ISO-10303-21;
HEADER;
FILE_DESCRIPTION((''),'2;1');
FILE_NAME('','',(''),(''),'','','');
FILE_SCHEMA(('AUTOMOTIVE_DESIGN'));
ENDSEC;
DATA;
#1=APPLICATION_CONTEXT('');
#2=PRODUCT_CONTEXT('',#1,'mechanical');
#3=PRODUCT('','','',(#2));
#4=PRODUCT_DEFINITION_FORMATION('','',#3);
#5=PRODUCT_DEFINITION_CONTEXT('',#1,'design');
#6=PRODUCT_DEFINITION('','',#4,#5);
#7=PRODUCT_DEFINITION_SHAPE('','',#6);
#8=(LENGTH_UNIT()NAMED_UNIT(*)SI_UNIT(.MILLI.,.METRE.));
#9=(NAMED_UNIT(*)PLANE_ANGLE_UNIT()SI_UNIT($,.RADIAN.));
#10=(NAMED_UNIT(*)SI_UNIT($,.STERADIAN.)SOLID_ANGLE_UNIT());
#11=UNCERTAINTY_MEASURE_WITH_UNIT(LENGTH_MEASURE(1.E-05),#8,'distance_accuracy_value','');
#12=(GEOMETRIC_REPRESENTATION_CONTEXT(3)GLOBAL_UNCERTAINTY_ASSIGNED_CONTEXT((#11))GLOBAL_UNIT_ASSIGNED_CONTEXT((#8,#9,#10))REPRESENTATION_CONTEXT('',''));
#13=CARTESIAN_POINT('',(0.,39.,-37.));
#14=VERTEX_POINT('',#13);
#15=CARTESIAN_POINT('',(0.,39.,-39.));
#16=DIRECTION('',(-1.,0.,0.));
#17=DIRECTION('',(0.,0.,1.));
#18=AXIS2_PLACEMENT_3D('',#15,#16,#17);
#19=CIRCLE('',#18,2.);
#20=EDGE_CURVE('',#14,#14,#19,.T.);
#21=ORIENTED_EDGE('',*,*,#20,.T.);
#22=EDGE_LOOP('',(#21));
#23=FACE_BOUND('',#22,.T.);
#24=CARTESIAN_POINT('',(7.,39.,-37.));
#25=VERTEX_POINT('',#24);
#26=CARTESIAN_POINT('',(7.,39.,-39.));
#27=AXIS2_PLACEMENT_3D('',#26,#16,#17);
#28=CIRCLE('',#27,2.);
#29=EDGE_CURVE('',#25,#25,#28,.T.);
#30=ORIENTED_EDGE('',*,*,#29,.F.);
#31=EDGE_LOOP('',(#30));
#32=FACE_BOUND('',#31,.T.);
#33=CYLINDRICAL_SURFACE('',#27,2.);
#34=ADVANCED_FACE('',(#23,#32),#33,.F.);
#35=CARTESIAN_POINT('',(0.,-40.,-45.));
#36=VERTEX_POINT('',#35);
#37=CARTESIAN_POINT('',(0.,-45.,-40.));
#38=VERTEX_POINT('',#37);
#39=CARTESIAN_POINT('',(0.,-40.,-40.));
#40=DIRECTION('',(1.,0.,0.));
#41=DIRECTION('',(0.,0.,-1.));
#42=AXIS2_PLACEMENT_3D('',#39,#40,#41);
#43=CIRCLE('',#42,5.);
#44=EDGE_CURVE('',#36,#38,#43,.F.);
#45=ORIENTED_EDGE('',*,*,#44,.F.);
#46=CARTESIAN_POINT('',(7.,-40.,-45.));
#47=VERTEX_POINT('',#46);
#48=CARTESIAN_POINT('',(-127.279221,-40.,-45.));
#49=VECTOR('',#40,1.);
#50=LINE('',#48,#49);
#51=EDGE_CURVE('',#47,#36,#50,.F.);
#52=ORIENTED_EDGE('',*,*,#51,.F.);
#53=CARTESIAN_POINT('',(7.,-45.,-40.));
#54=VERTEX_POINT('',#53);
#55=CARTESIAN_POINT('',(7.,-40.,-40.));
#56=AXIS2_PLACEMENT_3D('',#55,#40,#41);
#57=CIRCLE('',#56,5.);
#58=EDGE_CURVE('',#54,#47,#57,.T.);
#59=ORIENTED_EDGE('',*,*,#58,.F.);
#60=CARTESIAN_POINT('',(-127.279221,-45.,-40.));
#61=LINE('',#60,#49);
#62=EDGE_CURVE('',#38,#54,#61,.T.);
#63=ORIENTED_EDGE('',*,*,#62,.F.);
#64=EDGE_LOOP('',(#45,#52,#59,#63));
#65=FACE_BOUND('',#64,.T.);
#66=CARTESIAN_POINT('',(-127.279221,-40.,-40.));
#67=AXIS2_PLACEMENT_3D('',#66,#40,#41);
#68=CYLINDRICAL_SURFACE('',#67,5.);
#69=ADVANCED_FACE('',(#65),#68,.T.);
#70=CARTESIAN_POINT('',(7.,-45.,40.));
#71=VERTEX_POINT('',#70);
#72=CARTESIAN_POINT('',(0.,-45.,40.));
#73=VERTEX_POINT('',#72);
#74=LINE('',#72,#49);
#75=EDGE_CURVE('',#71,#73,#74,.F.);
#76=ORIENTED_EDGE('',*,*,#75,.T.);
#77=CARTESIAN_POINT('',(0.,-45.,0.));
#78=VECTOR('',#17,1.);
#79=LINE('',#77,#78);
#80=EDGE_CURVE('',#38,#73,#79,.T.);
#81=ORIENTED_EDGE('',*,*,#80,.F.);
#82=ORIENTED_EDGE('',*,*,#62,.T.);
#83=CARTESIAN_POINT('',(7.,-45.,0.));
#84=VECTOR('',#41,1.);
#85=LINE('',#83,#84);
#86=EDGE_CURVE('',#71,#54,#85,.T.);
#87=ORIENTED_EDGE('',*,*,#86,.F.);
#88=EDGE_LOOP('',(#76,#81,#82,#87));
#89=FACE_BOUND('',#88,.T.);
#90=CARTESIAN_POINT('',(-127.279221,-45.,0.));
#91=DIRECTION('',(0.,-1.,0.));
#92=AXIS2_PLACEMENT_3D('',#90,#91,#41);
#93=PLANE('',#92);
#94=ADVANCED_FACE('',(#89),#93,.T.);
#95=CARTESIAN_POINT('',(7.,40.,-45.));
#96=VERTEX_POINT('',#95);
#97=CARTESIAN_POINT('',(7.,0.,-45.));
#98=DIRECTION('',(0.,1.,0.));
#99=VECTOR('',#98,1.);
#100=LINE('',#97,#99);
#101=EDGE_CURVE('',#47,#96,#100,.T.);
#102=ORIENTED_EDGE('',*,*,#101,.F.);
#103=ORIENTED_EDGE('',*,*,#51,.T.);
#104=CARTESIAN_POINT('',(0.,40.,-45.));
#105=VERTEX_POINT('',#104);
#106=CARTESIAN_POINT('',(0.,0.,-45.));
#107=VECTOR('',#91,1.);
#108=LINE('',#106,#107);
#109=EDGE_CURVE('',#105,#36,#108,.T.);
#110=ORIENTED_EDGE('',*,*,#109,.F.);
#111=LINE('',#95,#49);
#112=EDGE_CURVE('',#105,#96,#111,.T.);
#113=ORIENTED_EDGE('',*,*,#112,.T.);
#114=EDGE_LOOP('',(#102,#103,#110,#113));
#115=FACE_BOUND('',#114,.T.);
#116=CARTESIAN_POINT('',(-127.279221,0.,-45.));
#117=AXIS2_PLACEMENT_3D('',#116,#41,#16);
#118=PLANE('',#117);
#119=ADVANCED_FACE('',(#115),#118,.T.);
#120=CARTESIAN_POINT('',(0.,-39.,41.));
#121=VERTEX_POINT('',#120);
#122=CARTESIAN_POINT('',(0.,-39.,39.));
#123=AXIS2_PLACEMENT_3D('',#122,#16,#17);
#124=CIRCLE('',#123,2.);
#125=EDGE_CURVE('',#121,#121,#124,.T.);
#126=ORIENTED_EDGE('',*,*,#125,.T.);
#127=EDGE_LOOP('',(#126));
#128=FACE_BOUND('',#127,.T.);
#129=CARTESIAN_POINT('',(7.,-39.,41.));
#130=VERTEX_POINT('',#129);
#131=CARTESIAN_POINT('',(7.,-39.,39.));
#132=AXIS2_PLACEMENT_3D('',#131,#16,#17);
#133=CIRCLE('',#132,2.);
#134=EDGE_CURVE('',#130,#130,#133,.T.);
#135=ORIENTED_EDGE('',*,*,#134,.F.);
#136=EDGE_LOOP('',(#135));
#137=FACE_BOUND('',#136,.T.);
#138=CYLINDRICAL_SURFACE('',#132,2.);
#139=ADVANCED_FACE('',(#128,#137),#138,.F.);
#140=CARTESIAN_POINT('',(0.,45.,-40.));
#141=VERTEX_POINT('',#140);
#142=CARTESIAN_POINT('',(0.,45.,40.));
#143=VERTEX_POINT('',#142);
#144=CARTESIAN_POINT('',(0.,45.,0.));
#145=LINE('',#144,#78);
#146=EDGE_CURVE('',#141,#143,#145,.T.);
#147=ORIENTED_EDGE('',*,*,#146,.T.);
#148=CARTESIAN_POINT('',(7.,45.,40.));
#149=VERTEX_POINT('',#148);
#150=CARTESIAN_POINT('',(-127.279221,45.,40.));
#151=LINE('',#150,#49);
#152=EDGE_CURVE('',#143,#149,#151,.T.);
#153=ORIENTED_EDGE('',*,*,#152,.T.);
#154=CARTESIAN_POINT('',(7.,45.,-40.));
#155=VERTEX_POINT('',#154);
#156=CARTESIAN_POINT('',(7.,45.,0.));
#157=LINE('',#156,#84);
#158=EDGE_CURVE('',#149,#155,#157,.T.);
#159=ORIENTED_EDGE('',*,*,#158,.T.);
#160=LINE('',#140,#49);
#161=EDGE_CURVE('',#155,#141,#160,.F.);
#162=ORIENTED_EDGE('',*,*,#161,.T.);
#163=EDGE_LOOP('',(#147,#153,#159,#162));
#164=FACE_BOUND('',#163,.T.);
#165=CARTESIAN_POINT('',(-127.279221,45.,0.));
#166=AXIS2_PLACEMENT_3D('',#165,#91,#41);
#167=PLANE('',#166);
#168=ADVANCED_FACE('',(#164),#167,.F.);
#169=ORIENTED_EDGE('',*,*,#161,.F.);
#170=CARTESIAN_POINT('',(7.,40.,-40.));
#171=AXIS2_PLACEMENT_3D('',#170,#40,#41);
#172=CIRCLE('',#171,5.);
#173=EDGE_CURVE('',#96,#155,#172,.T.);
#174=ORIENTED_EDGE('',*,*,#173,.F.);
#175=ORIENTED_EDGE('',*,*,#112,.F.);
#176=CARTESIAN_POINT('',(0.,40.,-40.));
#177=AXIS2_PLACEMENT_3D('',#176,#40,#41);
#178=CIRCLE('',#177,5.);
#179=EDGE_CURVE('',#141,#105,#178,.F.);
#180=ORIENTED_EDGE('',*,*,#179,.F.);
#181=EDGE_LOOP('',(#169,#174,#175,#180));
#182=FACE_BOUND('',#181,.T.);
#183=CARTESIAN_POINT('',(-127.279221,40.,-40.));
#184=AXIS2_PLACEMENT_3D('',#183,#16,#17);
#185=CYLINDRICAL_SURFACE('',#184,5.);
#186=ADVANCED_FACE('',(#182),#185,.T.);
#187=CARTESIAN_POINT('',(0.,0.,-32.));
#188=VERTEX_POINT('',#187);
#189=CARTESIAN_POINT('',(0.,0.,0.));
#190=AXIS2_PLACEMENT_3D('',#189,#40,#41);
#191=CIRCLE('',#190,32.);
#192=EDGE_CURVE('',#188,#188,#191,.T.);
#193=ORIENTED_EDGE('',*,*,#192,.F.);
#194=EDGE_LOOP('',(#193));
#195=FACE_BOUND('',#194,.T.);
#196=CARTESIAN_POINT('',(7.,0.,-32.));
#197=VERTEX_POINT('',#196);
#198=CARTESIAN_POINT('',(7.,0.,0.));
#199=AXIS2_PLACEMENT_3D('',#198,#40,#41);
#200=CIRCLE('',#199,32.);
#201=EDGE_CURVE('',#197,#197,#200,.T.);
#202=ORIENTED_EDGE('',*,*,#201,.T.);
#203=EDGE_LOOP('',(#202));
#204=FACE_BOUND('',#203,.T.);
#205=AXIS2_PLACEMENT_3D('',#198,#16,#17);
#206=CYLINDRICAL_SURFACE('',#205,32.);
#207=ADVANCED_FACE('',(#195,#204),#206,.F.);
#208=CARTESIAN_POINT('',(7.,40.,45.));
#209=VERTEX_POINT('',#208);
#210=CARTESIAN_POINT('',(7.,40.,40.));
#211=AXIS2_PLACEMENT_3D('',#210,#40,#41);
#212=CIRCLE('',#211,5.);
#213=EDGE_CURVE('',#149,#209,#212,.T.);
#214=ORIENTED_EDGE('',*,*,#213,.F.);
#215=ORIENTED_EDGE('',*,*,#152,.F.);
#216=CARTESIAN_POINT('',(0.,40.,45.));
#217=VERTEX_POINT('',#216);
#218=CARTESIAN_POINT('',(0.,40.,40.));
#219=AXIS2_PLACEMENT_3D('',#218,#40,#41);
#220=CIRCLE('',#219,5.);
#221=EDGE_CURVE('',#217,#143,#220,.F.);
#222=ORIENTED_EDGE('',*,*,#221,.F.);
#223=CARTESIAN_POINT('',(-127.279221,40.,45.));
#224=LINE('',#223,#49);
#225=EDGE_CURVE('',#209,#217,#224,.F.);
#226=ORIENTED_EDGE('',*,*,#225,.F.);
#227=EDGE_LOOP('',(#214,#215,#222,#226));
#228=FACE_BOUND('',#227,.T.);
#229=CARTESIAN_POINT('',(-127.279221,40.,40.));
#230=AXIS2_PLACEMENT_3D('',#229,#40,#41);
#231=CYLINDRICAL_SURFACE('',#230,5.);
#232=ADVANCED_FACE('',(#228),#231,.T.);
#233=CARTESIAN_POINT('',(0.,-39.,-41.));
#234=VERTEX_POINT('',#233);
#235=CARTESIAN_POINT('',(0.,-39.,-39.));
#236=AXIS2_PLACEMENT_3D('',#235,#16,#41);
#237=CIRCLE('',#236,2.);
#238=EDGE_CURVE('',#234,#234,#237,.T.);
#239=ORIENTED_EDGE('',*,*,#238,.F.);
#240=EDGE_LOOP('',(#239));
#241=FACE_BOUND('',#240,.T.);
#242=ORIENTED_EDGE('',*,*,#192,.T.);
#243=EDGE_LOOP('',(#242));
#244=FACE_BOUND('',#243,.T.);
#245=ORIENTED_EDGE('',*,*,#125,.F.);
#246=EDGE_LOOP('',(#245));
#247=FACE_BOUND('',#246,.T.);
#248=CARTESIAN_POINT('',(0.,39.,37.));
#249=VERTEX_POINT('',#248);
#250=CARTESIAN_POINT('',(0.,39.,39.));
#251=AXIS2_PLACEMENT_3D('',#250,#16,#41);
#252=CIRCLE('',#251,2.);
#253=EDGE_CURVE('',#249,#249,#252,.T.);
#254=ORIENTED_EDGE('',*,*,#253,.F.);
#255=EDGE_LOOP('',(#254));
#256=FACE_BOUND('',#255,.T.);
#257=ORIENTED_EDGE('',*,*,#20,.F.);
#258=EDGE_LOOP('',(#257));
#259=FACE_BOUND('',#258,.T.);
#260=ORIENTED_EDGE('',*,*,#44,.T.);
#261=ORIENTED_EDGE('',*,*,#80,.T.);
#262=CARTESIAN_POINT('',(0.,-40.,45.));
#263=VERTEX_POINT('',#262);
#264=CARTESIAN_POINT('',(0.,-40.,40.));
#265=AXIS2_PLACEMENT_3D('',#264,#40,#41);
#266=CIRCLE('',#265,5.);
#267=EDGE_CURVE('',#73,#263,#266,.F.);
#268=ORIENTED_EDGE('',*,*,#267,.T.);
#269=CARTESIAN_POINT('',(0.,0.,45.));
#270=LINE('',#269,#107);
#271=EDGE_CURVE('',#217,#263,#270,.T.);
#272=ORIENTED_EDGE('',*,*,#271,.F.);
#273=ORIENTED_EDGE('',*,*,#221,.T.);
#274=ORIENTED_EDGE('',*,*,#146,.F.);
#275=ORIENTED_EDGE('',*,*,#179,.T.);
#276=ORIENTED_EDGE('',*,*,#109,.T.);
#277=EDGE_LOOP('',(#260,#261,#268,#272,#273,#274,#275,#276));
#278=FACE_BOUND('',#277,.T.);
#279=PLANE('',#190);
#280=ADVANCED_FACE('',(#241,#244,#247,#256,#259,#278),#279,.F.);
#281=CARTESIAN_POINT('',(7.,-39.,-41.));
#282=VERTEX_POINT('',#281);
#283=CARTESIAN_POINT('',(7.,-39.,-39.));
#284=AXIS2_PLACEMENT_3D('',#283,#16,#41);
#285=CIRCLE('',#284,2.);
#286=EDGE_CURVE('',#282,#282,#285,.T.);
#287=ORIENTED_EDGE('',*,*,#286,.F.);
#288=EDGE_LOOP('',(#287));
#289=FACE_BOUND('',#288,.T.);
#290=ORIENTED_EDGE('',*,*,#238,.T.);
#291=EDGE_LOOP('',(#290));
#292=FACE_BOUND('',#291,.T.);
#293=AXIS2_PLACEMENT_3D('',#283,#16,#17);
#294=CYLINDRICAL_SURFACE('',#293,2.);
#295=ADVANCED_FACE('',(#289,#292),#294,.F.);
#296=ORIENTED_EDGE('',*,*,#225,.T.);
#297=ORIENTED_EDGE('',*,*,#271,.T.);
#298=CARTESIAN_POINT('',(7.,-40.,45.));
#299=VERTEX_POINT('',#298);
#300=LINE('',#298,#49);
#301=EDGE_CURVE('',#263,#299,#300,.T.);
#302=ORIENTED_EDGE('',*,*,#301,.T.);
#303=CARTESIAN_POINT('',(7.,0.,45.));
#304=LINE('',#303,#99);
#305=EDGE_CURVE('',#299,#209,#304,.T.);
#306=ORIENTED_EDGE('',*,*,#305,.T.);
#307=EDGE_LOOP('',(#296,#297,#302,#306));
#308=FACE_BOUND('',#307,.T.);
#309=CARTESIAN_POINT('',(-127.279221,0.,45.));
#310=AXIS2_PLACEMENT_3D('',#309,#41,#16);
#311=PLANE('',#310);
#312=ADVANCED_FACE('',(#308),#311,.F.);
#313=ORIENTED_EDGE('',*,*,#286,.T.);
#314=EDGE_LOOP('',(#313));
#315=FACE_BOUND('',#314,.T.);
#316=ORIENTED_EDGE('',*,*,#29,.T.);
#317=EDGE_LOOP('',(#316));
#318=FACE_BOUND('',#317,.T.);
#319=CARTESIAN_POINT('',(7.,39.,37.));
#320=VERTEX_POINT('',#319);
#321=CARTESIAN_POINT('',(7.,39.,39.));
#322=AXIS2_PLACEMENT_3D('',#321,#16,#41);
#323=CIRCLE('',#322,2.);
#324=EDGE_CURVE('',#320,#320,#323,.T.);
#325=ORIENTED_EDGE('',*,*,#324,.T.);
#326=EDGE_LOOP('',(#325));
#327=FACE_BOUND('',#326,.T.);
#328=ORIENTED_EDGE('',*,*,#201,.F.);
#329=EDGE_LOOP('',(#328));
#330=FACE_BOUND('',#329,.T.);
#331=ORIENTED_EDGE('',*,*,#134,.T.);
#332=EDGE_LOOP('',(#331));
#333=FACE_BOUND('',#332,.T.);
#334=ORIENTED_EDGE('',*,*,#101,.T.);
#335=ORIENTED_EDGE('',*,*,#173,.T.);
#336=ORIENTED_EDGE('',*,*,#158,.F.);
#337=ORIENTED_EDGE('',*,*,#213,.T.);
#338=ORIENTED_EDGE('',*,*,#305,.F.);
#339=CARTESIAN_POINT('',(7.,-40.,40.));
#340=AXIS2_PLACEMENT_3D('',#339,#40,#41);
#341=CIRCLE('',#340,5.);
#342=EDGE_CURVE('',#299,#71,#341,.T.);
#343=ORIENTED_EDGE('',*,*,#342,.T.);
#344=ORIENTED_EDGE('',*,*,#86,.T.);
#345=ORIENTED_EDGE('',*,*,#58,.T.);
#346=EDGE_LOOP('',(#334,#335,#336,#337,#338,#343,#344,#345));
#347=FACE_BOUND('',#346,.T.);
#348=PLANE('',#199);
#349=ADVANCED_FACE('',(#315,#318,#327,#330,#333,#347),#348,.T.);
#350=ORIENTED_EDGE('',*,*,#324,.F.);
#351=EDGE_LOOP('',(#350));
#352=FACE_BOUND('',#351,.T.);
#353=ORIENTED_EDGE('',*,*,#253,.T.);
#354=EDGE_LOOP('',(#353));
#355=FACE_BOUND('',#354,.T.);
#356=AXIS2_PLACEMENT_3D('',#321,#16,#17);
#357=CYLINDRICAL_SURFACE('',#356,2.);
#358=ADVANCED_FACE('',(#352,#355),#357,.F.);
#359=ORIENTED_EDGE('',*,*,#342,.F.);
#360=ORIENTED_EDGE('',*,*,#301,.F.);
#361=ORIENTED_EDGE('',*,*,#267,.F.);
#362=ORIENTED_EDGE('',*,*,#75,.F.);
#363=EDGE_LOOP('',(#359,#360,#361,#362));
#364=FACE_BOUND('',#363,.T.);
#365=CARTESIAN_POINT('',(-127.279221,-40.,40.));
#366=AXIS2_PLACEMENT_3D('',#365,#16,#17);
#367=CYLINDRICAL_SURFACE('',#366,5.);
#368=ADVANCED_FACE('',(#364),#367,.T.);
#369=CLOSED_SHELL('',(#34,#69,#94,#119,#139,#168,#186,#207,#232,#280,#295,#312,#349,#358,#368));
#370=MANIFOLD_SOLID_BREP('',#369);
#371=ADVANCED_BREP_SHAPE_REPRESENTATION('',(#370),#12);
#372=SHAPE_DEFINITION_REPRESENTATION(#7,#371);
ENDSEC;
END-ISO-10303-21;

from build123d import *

# Parameters (mm, degrees)
ESQUISSE1_R             = 45
ESQUISSE1_R_2           = 32
BOSS_EXTRU_1_DEPTH      = 7
ESQUISSE3_R             = 2.5
ESQUISSE3_R_2           = 4
ENL_V_MAT_EXTRU_1_DEPTH = 65.02343321
BOSS_EXTRU_3_START      = -7
ESQUISSE4_W             = 90
ESQUISSE4_H             = 90
ESQUISSE4_R             = 32
BOSS_EXTRU_3_DEPTH      = 7
ESQUISSE5_R             = 2
ENL_V_MAT_EXTRU_2_DEPTH = 65.02343321
CONG_1_R                = 5


with BuildPart() as part:
    # Esquisse1 → Boss.-Extru.1 (new body)
    with BuildSketch(Plane(origin=(0, 0, 0), x_dir=(0, 0, -1), z_dir=(1, 0, 0))):
        Circle(ESQUISSE1_R)
        Circle(ESQUISSE1_R_2, mode=Mode.SUBTRACT)
    extrude(amount=BOSS_EXTRU_1_DEPTH)

    # Esquisse3 → Enlèv. mat.-Extru.1 (cut, through all)
    with BuildSketch(Plane(origin=(7, 0, 0), x_dir=(0, 0, -1), z_dir=(1, 0, 0))):
        with Locations((0, 38)):
            Circle(ESQUISSE3_R)
        with Locations((32.908965344, 19)):
            Circle(ESQUISSE3_R)
        with Locations((32.908965344, -19)):
            Circle(ESQUISSE3_R)
        with Locations((0, -38)):
            Circle(ESQUISSE3_R)
        with Locations((-32.908965344, -19)):
            Circle(ESQUISSE3_R)
        with Locations((-32.908965344, 19)):
            Circle(ESQUISSE3_R)
        with Locations((-20.848699038, 32.366367551)):
            Circle(ESQUISSE3_R_2)
        with Locations((38.454446046, 1.872319227)):
            Circle(ESQUISSE3_R_2)
        with Locations((-17.605747008, -34.238686778)):
            Circle(ESQUISSE3_R_2)
    extrude(amount=-ENL_V_MAT_EXTRU_1_DEPTH, mode=Mode.SUBTRACT)

    # Esquisse4 → Boss.-Extru.3 (add)
    with BuildSketch(Plane(origin=(7, 0, 0), x_dir=(0, 0, -1), z_dir=(1, 0, 0)).offset(BOSS_EXTRU_3_START)):
        Rectangle(ESQUISSE4_W, ESQUISSE4_H)
        Circle(ESQUISSE4_R, mode=Mode.SUBTRACT)
    extrude(amount=BOSS_EXTRU_3_DEPTH)

    # Esquisse5 → Enlèv. mat.-Extru.2 (cut, through all)
    with BuildSketch(Plane.ZY):
        with Locations((-39, 39)):
            Circle(ESQUISSE5_R)
        with Locations(Location((39, 39, 0), (0, 0, 180))):
            Circle(ESQUISSE5_R)
        with Locations((39, -39)):
            Circle(ESQUISSE5_R)
        with Locations(Location((-39, -39, 0), (0, 0, 180))):
            Circle(ESQUISSE5_R)
    extrude(amount=-ENL_V_MAT_EXTRU_2_DEPTH, mode=Mode.SUBTRACT)

    # Congé1
    cong_1_edges = [part.edges().sort_by_distance(p)[0] for p in [
        (3.5, -45, 45),
        (3.5, 45, 45),
        (3.5, -45, -45),
        (3.5, 45, -45),
    ]]
    fillet(cong_1_edges, radius=CONG_1_R)


solid = part.part
